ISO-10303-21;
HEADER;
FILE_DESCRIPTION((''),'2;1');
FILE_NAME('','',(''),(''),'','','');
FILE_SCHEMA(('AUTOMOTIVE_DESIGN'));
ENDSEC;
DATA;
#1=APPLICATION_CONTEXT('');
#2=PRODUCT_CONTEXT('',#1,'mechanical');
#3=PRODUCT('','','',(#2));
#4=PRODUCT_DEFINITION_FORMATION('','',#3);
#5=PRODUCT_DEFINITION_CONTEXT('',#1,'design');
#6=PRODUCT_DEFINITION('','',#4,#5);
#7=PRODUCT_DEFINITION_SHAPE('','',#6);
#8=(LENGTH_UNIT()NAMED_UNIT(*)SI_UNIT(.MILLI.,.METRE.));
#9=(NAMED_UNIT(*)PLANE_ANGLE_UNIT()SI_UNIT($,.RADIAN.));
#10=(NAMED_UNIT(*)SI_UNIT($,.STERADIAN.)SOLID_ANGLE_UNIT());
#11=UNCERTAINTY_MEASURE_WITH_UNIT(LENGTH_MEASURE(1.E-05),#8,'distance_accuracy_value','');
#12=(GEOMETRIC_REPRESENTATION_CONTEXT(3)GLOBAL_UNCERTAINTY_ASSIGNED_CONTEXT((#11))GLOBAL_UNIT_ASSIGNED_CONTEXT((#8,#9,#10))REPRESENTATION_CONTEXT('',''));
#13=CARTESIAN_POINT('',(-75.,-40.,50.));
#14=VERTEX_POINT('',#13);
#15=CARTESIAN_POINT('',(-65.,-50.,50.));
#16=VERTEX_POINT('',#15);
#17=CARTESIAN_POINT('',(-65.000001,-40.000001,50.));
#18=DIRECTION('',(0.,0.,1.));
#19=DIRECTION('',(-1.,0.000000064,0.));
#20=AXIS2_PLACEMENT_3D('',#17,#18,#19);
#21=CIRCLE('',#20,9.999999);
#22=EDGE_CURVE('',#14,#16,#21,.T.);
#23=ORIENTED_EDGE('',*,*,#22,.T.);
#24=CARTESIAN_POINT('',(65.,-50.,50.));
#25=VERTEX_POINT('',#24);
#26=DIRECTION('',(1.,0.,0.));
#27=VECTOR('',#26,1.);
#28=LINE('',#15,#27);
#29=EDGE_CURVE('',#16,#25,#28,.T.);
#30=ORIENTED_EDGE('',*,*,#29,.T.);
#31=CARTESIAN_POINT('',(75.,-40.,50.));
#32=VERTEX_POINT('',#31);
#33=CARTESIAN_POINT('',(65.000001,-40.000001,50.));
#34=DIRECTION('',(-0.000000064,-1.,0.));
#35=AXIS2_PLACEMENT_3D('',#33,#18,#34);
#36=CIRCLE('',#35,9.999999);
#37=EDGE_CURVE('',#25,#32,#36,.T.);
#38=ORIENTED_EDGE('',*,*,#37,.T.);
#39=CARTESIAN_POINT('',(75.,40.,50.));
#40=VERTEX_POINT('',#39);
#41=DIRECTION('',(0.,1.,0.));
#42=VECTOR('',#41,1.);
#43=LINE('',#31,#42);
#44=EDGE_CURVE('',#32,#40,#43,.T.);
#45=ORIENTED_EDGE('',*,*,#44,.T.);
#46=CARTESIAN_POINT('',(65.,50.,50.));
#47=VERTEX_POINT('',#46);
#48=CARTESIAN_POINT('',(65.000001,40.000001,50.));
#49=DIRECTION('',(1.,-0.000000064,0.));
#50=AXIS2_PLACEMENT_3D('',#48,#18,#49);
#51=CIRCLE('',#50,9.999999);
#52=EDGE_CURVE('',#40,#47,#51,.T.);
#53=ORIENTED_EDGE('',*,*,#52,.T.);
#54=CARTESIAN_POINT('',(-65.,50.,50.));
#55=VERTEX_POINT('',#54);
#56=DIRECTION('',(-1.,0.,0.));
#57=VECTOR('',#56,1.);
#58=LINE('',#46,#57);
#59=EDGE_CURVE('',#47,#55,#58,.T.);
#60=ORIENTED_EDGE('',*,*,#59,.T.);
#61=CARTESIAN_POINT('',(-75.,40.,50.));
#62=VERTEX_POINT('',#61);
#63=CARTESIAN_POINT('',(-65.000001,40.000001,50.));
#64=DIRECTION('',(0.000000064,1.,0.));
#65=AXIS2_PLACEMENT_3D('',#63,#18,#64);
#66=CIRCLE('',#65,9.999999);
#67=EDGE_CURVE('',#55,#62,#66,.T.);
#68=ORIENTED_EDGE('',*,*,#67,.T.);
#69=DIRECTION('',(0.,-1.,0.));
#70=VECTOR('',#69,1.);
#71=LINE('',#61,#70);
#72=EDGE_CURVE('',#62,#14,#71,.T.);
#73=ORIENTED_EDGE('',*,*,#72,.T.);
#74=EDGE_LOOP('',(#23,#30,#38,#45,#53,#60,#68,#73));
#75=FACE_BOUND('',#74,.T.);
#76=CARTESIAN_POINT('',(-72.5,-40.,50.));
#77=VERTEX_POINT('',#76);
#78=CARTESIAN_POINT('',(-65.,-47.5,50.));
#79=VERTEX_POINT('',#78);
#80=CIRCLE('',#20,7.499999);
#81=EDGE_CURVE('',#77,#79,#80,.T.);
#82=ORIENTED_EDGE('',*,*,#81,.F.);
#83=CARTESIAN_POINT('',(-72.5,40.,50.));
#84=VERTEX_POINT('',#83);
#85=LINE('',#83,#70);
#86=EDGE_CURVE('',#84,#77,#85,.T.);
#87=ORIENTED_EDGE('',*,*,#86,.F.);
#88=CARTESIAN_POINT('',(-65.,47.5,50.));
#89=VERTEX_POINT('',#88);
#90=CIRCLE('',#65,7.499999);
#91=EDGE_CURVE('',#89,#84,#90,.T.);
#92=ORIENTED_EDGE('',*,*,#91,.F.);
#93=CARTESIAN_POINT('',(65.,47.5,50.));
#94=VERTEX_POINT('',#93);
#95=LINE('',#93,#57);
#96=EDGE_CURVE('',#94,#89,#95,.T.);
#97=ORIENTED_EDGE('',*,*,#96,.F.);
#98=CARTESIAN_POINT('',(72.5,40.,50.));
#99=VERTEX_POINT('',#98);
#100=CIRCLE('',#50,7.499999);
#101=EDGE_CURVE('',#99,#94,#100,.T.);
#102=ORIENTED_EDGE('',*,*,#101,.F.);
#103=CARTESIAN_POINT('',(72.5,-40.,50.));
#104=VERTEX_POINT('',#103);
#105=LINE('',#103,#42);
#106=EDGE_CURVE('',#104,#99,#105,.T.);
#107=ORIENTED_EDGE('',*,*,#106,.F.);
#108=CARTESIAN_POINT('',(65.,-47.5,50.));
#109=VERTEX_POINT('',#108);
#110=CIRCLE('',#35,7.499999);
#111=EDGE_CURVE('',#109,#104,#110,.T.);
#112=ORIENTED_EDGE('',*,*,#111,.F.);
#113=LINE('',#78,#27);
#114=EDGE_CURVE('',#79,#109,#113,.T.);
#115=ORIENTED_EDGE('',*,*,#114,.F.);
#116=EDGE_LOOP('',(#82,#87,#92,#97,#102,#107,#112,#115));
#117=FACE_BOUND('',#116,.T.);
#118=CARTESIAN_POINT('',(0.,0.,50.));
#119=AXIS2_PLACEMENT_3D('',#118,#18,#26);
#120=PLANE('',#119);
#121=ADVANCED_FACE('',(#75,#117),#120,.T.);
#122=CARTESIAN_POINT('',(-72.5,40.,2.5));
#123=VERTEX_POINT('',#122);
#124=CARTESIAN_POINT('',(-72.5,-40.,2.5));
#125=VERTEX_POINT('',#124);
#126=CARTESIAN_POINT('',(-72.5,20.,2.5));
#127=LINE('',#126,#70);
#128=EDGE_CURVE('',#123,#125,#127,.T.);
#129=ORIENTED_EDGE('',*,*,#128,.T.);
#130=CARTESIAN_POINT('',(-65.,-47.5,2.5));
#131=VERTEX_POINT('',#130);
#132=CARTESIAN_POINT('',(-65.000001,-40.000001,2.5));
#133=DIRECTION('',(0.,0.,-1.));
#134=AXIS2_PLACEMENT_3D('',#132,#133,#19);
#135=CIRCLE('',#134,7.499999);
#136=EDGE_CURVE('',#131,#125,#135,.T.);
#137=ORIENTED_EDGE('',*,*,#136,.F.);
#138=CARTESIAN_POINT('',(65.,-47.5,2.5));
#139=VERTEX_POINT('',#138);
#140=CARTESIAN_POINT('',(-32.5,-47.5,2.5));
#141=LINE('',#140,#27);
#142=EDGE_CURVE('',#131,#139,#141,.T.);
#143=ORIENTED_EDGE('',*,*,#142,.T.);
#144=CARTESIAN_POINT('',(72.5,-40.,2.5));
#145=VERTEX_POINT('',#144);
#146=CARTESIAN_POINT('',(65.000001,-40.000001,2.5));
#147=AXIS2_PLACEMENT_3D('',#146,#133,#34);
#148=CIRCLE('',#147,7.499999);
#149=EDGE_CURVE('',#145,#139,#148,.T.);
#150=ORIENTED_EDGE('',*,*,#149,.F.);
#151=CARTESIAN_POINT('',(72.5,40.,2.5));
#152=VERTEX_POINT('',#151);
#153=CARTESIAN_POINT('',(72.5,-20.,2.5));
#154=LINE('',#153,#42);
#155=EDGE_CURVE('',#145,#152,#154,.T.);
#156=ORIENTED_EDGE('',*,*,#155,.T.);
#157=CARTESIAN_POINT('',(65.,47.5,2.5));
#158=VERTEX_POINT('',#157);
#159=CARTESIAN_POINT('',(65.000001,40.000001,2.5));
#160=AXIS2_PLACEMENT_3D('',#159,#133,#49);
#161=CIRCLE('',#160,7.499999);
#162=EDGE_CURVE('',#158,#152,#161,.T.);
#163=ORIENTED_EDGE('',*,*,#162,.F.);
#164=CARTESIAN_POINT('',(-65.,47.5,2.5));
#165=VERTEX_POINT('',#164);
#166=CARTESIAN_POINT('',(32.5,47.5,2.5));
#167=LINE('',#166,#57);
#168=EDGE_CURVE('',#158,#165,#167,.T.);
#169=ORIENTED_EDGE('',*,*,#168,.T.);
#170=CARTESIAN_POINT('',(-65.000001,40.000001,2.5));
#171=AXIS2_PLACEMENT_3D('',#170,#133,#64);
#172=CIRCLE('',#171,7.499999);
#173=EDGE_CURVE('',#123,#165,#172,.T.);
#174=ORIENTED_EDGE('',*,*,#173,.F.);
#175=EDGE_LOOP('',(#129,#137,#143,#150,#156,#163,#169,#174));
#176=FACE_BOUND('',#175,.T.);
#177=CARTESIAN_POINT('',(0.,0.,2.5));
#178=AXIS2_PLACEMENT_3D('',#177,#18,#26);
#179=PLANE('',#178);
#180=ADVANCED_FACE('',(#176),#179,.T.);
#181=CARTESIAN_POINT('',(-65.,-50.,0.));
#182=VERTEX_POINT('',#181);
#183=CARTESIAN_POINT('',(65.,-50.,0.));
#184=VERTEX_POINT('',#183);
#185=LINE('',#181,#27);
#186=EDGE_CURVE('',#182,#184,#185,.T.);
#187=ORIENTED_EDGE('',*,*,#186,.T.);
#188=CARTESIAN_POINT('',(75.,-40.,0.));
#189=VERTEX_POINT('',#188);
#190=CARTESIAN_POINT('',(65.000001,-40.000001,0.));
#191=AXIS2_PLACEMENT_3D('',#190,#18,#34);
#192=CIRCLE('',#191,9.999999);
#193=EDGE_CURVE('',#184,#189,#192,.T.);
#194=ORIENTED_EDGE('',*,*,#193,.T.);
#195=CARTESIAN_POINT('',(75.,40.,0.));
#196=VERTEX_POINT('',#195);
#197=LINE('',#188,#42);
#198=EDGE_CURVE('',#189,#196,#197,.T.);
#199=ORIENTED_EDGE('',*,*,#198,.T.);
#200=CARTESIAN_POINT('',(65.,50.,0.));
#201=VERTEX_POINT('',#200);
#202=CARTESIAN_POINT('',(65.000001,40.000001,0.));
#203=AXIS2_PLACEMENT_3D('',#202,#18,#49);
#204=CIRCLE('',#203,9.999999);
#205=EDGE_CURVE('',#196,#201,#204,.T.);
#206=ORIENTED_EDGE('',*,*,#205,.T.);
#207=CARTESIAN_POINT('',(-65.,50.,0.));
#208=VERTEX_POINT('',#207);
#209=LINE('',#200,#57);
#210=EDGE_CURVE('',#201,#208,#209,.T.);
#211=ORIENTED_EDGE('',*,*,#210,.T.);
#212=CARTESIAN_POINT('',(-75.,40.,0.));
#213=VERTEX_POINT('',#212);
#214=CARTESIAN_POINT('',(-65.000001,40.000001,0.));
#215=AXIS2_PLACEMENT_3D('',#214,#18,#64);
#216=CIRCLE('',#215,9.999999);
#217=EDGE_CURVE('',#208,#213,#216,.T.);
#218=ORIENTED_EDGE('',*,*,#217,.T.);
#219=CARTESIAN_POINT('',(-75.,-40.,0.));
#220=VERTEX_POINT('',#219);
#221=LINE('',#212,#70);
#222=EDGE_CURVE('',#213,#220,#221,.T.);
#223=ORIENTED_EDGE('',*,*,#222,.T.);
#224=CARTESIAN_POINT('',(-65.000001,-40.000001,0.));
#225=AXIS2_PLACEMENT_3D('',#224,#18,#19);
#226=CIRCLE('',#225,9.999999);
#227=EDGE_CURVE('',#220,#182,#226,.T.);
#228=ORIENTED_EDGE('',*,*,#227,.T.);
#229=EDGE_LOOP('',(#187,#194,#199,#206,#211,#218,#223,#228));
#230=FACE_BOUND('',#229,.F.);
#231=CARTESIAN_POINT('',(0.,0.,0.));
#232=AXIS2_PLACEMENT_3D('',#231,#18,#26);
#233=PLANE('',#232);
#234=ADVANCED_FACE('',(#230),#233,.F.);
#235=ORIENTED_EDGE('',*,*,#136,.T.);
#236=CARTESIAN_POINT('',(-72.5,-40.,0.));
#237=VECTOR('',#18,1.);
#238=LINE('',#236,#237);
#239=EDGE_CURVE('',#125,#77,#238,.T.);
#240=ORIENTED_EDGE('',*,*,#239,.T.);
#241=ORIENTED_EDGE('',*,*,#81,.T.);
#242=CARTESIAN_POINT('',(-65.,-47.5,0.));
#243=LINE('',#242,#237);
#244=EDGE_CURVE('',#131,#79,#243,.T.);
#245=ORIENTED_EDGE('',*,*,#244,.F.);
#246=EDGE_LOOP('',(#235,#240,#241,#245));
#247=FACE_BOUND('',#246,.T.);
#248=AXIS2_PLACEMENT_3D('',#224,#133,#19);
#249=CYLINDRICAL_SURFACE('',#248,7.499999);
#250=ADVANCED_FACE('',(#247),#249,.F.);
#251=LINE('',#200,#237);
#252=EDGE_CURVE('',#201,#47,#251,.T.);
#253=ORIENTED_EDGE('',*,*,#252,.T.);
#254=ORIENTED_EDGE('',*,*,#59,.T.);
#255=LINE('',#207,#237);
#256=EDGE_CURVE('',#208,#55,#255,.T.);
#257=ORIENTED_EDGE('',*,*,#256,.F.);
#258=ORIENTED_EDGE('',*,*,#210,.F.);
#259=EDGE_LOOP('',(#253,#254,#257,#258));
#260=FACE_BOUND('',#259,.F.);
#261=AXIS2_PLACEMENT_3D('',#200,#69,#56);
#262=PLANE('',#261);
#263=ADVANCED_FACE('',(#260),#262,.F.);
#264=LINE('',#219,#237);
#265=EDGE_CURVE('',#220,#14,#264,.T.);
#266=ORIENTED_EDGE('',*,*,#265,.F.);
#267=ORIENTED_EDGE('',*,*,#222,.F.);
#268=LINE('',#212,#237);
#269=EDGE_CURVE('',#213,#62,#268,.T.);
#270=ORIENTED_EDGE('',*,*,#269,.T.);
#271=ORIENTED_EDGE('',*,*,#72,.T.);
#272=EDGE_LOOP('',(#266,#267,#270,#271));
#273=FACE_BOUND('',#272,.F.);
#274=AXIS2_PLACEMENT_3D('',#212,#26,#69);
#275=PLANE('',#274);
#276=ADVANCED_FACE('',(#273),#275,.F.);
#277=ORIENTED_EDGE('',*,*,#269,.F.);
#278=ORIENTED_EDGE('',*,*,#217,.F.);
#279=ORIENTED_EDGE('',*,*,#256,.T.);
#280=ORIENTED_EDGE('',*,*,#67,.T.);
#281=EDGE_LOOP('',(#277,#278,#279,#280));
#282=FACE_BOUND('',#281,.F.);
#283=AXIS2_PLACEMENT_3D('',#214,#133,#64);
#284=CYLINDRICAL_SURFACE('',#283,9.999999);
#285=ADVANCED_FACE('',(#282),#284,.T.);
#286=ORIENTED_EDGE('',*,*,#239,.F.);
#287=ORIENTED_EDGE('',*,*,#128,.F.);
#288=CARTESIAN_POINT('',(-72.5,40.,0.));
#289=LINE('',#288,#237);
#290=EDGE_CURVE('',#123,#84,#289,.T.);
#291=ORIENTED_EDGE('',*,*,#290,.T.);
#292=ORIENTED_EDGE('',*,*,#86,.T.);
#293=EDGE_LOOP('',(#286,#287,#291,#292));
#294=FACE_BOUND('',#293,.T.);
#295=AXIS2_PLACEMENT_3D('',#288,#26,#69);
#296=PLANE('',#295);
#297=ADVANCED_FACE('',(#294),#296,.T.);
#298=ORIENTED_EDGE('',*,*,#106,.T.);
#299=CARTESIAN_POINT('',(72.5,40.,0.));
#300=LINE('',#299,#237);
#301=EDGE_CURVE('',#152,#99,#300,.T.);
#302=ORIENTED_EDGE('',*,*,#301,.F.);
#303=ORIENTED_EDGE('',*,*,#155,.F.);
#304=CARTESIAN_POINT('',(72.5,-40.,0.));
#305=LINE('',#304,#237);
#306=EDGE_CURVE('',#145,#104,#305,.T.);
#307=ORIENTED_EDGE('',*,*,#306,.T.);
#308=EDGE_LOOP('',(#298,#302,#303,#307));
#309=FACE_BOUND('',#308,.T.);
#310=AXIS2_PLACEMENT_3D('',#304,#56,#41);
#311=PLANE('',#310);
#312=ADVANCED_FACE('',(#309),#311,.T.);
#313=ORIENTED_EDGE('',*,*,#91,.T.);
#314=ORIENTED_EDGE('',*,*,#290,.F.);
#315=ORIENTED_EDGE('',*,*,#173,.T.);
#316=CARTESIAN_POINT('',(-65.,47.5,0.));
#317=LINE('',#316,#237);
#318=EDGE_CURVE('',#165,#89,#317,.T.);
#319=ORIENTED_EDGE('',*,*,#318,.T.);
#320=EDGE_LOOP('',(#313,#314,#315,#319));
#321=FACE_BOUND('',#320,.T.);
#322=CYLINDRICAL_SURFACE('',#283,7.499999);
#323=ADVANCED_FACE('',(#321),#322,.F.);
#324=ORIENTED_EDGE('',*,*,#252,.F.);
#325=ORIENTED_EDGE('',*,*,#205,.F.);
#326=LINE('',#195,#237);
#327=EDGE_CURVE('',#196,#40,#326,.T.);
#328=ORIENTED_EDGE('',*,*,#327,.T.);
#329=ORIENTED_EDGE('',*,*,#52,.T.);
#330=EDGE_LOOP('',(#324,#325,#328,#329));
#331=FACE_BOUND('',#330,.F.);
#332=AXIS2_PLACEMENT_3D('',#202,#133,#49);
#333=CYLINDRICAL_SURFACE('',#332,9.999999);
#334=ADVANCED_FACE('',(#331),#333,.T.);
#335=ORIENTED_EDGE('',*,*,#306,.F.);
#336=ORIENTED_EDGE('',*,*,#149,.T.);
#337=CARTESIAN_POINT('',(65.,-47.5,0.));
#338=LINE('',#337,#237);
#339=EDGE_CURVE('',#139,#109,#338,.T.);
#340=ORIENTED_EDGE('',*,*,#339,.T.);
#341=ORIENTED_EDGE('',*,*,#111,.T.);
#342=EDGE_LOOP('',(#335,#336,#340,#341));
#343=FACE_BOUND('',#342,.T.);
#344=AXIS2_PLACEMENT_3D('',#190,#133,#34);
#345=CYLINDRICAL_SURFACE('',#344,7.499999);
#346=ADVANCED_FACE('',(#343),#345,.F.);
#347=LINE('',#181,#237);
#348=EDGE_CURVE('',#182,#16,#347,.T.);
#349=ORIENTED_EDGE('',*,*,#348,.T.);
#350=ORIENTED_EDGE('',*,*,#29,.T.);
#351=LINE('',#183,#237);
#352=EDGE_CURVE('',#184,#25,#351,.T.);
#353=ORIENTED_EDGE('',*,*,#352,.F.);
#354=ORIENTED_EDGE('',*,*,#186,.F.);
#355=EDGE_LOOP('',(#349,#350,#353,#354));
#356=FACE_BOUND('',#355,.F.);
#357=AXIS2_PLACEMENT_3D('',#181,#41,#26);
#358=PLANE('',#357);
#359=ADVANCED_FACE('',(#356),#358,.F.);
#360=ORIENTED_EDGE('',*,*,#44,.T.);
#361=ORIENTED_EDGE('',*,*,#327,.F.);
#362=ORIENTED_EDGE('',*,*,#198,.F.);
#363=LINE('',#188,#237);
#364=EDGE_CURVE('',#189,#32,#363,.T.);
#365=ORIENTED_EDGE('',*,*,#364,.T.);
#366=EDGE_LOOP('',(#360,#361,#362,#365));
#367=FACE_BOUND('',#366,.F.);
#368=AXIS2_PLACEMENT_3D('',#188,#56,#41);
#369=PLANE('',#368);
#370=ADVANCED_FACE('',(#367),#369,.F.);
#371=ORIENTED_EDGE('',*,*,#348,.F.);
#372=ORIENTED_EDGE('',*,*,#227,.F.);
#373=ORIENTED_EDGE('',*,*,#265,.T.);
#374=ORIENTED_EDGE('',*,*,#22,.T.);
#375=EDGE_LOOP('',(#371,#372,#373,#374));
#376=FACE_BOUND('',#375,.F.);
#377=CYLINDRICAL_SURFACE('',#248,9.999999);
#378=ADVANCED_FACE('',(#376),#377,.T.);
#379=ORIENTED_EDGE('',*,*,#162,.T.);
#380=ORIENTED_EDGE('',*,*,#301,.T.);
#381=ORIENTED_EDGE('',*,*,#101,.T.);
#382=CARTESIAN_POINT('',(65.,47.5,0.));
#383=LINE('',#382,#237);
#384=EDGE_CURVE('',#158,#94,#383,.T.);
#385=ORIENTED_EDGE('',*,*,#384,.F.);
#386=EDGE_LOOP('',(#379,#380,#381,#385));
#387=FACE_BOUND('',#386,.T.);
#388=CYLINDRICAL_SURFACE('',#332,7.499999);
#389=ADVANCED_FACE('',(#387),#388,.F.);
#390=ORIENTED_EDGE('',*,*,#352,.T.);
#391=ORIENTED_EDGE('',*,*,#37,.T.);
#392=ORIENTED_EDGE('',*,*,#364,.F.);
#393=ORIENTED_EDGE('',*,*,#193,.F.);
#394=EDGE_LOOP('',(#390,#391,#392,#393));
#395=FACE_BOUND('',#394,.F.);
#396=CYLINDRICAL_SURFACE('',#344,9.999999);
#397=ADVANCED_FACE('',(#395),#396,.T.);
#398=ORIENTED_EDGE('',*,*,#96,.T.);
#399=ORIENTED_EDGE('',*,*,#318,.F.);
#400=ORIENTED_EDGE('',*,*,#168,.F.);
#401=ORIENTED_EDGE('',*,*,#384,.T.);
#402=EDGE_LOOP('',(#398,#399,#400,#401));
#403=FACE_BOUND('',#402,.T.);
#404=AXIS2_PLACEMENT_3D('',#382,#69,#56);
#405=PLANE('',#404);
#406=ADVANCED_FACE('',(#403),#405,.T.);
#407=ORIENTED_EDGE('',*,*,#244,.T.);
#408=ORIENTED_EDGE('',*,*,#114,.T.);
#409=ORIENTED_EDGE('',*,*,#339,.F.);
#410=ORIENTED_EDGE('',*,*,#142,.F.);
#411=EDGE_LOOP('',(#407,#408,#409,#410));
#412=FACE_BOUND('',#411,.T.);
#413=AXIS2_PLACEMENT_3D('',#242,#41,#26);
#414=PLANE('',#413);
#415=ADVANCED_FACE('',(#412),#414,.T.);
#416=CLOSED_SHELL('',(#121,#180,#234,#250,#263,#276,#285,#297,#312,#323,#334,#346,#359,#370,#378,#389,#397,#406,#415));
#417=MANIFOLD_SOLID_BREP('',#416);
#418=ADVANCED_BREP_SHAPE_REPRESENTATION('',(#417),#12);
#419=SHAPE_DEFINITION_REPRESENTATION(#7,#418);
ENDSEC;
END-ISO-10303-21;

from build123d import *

# Parameters (mm, degrees)
F1_DEPTH = 50
F2_T     = -2.5


with BuildPart() as f1:
    # F0 (on Top) → F1 (new body)
    with BuildSketch(Plane.XY):
        with BuildLine():
            Line((-65, -50), (65, -50))
            ThreePointArc((65, -50), (72.071068, -47.071068), (75, -40))
            Line((75, -40), (75, 40))
            ThreePointArc((75, 40), (72.071068, 47.071068), (65, 50))
            Line((65, 50), (-65, 50))
            ThreePointArc((-65, 50), (-72.071068, 47.071068), (-75, 40))
            Line((-75, 40), (-75, -40))
            ThreePointArc((-75, -40), (-72.071068, -47.071068), (-65, -50))
        make_face()
    extrude(amount=F1_DEPTH)

    # F2
    f2_openings = [f1.faces().sort_by_distance(p)[0] for p in [
        (0, 0, 50),
    ]]
    offset(amount=F2_T, openings=f2_openings)


solid = f1.part
